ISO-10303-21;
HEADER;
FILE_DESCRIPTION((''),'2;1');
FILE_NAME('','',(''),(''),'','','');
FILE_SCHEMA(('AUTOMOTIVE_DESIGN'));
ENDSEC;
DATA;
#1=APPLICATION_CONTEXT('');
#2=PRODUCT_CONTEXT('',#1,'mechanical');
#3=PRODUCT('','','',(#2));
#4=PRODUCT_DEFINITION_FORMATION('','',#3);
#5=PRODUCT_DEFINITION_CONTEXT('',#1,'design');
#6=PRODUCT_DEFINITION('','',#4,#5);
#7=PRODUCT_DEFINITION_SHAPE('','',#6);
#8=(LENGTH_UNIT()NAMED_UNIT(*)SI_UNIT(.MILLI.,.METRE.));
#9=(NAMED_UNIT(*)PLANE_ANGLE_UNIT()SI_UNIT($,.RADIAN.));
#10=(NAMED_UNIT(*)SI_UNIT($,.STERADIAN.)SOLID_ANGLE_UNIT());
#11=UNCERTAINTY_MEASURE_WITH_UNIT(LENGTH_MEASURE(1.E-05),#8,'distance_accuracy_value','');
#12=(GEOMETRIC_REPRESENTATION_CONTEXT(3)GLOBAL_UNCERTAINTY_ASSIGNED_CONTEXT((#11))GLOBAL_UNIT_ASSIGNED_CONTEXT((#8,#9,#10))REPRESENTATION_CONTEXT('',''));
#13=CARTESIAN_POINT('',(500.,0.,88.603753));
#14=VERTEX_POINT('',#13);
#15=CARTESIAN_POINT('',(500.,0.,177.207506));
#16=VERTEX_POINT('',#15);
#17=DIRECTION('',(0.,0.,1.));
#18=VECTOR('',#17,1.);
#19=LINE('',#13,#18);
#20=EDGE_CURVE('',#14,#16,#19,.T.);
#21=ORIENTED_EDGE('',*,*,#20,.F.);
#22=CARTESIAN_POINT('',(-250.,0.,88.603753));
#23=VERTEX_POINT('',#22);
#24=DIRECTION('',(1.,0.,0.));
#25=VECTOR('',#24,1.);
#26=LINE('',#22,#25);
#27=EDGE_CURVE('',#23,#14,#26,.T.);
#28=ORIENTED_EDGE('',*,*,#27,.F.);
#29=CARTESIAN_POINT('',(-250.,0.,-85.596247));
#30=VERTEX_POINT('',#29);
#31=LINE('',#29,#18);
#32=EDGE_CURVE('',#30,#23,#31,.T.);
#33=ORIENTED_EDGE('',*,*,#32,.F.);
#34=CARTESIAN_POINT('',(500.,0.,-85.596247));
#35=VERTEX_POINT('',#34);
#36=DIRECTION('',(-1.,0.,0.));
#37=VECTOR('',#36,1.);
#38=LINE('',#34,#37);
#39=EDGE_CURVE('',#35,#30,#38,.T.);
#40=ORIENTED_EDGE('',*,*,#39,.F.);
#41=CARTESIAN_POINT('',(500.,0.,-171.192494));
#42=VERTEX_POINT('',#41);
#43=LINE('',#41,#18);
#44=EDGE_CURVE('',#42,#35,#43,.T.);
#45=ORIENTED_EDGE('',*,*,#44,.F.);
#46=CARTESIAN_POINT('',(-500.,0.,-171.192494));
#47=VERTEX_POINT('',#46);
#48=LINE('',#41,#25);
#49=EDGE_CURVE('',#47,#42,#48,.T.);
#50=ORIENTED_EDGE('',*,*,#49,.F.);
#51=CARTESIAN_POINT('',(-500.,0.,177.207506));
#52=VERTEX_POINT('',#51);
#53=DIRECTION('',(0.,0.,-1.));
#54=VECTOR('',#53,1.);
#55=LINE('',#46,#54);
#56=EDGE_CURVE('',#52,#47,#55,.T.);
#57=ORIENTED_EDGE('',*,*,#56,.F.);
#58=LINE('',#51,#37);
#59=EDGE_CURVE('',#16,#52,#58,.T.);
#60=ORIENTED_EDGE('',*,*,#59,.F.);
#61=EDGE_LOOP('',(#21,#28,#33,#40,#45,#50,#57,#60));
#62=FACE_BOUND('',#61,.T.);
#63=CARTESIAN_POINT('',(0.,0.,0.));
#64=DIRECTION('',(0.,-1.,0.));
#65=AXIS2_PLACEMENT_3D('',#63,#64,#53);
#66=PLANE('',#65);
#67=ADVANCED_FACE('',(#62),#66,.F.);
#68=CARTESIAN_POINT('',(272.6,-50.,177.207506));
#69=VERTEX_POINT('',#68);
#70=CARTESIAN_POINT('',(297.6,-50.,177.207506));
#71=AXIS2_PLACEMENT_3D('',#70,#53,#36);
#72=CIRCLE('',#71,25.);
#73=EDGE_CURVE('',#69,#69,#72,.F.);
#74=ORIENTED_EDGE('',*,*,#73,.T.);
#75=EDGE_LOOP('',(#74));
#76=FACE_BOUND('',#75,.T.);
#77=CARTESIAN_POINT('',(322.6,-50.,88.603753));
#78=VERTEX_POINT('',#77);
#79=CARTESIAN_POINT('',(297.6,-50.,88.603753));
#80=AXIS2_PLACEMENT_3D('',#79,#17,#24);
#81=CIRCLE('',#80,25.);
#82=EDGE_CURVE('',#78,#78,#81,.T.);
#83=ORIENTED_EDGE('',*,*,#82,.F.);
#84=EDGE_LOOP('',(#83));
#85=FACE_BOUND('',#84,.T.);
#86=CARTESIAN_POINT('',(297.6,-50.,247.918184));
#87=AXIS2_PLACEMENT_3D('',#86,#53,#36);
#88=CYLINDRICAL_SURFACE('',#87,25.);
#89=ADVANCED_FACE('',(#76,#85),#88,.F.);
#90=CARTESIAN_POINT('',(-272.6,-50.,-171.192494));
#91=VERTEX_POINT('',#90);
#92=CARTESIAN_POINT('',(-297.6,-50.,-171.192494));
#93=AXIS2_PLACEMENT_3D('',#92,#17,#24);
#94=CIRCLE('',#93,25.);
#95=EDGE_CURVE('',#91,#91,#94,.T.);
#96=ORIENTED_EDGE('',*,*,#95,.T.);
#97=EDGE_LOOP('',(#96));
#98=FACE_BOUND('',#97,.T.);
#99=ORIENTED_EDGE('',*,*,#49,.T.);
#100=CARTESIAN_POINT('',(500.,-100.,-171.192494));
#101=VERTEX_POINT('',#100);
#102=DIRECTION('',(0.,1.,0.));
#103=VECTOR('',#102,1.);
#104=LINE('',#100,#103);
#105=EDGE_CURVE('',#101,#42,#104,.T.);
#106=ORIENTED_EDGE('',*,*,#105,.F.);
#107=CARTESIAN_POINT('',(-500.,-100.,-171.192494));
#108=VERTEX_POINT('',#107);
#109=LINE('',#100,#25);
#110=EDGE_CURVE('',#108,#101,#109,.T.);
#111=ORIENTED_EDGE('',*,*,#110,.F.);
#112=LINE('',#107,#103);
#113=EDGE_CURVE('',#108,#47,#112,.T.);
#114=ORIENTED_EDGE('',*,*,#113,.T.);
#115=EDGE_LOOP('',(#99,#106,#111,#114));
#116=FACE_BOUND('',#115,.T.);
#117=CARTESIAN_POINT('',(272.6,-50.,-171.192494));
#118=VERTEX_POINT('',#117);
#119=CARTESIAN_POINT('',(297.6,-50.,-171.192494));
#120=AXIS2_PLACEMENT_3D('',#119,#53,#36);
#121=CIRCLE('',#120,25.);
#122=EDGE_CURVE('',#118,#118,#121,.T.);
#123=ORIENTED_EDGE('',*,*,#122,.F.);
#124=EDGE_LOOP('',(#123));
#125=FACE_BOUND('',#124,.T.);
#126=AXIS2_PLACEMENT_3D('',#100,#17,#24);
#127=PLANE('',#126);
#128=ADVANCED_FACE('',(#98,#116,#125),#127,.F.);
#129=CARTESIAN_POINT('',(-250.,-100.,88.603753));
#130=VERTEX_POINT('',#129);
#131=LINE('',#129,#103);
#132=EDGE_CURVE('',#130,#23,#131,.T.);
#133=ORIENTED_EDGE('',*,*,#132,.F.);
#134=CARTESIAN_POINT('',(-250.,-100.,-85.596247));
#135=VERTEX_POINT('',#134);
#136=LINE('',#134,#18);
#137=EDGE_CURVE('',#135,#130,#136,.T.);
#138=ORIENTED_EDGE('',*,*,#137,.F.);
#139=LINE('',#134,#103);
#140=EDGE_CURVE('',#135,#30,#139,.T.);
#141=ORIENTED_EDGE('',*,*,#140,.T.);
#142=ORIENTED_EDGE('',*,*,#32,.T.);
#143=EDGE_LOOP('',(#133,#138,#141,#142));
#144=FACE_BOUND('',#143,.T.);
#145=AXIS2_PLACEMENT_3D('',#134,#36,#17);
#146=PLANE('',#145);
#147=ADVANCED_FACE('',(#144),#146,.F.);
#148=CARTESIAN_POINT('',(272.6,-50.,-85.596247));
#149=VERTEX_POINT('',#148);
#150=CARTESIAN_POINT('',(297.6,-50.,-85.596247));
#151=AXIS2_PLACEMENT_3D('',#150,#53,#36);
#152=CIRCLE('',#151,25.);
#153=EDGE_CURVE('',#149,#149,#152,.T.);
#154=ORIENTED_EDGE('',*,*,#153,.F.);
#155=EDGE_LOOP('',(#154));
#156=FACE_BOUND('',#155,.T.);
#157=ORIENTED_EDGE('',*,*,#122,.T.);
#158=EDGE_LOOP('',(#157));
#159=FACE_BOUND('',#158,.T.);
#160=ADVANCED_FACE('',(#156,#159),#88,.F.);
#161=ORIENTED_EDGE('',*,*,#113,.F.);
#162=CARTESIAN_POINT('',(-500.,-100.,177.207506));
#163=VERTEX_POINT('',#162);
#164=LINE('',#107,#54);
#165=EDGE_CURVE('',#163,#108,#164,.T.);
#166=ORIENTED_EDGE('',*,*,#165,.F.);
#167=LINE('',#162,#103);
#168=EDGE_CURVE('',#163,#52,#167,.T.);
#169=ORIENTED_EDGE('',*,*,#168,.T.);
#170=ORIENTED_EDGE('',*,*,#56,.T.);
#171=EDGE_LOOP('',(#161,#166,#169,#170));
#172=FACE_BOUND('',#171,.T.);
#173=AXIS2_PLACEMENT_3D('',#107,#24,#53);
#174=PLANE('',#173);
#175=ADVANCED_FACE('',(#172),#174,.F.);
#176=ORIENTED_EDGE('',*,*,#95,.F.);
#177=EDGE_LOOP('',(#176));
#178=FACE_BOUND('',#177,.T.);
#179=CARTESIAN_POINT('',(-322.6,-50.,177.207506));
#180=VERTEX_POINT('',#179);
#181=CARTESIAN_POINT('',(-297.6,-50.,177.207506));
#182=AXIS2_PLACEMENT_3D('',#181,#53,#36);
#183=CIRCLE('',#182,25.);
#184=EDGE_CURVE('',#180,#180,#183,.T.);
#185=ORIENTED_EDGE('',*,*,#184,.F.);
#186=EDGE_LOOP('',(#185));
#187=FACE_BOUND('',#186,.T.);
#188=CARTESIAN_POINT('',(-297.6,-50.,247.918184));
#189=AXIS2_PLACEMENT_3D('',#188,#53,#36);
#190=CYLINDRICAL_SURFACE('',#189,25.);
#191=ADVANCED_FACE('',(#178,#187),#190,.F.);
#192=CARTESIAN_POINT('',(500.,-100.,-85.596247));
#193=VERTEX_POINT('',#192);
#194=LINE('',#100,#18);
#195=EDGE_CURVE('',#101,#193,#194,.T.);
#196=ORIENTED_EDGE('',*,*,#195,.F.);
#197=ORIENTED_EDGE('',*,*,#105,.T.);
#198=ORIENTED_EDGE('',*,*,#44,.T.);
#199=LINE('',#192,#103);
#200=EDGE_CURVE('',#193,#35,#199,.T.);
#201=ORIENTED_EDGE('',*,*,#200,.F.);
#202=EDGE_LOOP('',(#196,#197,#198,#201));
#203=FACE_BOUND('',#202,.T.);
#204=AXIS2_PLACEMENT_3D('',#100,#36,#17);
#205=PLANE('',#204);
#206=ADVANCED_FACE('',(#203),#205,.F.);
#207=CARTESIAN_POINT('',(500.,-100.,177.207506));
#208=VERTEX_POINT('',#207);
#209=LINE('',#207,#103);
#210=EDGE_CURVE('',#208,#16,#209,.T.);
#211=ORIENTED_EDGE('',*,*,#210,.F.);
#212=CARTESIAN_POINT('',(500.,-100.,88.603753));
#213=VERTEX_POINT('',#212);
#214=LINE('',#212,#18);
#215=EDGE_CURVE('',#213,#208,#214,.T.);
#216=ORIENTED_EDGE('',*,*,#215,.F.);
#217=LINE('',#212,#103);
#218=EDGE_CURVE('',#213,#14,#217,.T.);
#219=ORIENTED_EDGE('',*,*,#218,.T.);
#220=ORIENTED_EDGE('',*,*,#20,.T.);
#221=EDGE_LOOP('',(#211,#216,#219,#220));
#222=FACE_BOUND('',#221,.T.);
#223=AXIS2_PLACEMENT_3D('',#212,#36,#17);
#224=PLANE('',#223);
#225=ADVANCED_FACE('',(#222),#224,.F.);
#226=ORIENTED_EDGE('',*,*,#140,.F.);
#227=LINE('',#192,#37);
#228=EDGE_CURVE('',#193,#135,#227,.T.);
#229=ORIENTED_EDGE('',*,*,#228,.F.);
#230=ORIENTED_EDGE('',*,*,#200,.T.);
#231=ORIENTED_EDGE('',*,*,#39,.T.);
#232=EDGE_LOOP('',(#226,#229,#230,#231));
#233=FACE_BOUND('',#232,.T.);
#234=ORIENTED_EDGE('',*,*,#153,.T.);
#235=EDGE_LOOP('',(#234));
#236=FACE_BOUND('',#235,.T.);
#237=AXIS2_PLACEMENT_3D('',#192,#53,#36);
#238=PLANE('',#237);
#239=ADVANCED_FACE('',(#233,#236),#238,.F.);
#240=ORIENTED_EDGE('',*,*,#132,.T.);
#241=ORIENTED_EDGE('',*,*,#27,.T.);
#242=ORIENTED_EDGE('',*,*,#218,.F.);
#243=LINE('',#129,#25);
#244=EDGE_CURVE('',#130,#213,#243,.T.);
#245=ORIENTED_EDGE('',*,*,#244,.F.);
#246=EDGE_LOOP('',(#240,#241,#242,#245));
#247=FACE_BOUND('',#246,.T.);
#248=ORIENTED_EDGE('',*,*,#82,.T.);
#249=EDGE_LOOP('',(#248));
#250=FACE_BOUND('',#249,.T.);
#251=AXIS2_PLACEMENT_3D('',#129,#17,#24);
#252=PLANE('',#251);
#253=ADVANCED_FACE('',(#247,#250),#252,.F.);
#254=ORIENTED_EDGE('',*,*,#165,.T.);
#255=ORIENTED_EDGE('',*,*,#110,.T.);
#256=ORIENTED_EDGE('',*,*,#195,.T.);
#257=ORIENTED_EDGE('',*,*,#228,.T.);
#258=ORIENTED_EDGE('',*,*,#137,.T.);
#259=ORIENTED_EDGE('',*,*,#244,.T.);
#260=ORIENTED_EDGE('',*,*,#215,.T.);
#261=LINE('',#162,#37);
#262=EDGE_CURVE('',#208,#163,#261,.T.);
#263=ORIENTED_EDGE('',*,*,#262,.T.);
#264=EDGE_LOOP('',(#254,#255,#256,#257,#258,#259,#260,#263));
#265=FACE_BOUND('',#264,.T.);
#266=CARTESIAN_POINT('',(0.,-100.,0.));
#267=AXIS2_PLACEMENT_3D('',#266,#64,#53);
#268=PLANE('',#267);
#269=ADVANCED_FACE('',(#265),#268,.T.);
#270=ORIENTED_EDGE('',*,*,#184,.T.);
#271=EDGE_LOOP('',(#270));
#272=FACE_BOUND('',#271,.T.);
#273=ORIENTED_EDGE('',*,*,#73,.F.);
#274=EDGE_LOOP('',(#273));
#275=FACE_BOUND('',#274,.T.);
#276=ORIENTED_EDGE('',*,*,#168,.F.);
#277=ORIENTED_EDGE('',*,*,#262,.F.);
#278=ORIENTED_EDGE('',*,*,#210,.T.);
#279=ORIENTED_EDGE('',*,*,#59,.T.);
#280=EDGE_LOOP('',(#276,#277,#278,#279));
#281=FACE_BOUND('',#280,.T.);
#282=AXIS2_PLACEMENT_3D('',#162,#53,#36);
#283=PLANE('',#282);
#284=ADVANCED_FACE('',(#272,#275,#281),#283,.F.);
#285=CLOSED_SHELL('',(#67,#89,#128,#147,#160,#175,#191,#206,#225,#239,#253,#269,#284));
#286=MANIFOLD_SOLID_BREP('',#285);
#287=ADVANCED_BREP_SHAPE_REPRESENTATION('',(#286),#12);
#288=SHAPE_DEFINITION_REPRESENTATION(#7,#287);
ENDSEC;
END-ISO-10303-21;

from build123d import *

# Parameters (mm, degrees)
BOSS_EXTRUDE1_DEPTH = 100
CUT_EXTRUDE1_REACH  = 619.562
SKETCH8_R           = 25


with BuildPart() as part:
    # Sketch5 → Boss-Extrude1 (new body)
    with BuildSketch(Plane(origin=(0, 0, 0), x_dir=(-1, 0, 0), z_dir=(0, -1, 0))):
        Polygon((-500, 171.192494481), (500, 171.192494481), (500, -177.207505519), (-500, -177.207505519), (-500, -88.603752759), (250, -88.603752759), (250, 85.596247241), (-500, 85.596247241), align=None)
    extrude(amount=BOSS_EXTRUDE1_DEPTH)

    # Cut-Extrude1: up to this face of the body (flat: up to its plane)
    cut_extrude1_end = Plane(part.part.faces().sort_by_distance((0, -50, 177.207505519))[0])
    # Sketch8 → Cut-Extrude1 (cut, up to the picked face)
    with BuildSketch(Plane(origin=(0, 0, -171.192494481), x_dir=(-1, 0, 0), z_dir=(0, 0, -1)), mode=Mode.PRIVATE) as cut_extrude1_sk1:
        with Locations((-297.6, -50)):
            Circle(SKETCH8_R)
    cut_extrude1_tool1 = split(extrude(cut_extrude1_sk1.sketch, amount=-CUT_EXTRUDE1_REACH, mode=Mode.PRIVATE), bisect_by=cut_extrude1_end, keep=Keep.BOTH, mode=Mode.PRIVATE)
    # Sketch8 → Cut-Extrude1 (cut, up to the picked face)
    with BuildSketch(Plane(origin=(0, 0, -171.192494481), x_dir=(-1, 0, 0), z_dir=(0, 0, -1)), mode=Mode.PRIVATE) as cut_extrude1_sk2:
        with Locations((297.6, -50)):
            Circle(SKETCH8_R)
    cut_extrude1_tool2 = split(extrude(cut_extrude1_sk2.sketch, amount=-CUT_EXTRUDE1_REACH, mode=Mode.PRIVATE), bisect_by=cut_extrude1_end, keep=Keep.BOTH, mode=Mode.PRIVATE)
    add(cut_extrude1_tool1.solids().sort_by(Axis((297.6, -50, -171.192494), (0, 0, 1)))[0], mode=Mode.SUBTRACT)
    add(cut_extrude1_tool2.solids().sort_by(Axis((-297.6, -50, -171.192494), (0, 0, 1)))[0], mode=Mode.SUBTRACT)


solid = part.part
